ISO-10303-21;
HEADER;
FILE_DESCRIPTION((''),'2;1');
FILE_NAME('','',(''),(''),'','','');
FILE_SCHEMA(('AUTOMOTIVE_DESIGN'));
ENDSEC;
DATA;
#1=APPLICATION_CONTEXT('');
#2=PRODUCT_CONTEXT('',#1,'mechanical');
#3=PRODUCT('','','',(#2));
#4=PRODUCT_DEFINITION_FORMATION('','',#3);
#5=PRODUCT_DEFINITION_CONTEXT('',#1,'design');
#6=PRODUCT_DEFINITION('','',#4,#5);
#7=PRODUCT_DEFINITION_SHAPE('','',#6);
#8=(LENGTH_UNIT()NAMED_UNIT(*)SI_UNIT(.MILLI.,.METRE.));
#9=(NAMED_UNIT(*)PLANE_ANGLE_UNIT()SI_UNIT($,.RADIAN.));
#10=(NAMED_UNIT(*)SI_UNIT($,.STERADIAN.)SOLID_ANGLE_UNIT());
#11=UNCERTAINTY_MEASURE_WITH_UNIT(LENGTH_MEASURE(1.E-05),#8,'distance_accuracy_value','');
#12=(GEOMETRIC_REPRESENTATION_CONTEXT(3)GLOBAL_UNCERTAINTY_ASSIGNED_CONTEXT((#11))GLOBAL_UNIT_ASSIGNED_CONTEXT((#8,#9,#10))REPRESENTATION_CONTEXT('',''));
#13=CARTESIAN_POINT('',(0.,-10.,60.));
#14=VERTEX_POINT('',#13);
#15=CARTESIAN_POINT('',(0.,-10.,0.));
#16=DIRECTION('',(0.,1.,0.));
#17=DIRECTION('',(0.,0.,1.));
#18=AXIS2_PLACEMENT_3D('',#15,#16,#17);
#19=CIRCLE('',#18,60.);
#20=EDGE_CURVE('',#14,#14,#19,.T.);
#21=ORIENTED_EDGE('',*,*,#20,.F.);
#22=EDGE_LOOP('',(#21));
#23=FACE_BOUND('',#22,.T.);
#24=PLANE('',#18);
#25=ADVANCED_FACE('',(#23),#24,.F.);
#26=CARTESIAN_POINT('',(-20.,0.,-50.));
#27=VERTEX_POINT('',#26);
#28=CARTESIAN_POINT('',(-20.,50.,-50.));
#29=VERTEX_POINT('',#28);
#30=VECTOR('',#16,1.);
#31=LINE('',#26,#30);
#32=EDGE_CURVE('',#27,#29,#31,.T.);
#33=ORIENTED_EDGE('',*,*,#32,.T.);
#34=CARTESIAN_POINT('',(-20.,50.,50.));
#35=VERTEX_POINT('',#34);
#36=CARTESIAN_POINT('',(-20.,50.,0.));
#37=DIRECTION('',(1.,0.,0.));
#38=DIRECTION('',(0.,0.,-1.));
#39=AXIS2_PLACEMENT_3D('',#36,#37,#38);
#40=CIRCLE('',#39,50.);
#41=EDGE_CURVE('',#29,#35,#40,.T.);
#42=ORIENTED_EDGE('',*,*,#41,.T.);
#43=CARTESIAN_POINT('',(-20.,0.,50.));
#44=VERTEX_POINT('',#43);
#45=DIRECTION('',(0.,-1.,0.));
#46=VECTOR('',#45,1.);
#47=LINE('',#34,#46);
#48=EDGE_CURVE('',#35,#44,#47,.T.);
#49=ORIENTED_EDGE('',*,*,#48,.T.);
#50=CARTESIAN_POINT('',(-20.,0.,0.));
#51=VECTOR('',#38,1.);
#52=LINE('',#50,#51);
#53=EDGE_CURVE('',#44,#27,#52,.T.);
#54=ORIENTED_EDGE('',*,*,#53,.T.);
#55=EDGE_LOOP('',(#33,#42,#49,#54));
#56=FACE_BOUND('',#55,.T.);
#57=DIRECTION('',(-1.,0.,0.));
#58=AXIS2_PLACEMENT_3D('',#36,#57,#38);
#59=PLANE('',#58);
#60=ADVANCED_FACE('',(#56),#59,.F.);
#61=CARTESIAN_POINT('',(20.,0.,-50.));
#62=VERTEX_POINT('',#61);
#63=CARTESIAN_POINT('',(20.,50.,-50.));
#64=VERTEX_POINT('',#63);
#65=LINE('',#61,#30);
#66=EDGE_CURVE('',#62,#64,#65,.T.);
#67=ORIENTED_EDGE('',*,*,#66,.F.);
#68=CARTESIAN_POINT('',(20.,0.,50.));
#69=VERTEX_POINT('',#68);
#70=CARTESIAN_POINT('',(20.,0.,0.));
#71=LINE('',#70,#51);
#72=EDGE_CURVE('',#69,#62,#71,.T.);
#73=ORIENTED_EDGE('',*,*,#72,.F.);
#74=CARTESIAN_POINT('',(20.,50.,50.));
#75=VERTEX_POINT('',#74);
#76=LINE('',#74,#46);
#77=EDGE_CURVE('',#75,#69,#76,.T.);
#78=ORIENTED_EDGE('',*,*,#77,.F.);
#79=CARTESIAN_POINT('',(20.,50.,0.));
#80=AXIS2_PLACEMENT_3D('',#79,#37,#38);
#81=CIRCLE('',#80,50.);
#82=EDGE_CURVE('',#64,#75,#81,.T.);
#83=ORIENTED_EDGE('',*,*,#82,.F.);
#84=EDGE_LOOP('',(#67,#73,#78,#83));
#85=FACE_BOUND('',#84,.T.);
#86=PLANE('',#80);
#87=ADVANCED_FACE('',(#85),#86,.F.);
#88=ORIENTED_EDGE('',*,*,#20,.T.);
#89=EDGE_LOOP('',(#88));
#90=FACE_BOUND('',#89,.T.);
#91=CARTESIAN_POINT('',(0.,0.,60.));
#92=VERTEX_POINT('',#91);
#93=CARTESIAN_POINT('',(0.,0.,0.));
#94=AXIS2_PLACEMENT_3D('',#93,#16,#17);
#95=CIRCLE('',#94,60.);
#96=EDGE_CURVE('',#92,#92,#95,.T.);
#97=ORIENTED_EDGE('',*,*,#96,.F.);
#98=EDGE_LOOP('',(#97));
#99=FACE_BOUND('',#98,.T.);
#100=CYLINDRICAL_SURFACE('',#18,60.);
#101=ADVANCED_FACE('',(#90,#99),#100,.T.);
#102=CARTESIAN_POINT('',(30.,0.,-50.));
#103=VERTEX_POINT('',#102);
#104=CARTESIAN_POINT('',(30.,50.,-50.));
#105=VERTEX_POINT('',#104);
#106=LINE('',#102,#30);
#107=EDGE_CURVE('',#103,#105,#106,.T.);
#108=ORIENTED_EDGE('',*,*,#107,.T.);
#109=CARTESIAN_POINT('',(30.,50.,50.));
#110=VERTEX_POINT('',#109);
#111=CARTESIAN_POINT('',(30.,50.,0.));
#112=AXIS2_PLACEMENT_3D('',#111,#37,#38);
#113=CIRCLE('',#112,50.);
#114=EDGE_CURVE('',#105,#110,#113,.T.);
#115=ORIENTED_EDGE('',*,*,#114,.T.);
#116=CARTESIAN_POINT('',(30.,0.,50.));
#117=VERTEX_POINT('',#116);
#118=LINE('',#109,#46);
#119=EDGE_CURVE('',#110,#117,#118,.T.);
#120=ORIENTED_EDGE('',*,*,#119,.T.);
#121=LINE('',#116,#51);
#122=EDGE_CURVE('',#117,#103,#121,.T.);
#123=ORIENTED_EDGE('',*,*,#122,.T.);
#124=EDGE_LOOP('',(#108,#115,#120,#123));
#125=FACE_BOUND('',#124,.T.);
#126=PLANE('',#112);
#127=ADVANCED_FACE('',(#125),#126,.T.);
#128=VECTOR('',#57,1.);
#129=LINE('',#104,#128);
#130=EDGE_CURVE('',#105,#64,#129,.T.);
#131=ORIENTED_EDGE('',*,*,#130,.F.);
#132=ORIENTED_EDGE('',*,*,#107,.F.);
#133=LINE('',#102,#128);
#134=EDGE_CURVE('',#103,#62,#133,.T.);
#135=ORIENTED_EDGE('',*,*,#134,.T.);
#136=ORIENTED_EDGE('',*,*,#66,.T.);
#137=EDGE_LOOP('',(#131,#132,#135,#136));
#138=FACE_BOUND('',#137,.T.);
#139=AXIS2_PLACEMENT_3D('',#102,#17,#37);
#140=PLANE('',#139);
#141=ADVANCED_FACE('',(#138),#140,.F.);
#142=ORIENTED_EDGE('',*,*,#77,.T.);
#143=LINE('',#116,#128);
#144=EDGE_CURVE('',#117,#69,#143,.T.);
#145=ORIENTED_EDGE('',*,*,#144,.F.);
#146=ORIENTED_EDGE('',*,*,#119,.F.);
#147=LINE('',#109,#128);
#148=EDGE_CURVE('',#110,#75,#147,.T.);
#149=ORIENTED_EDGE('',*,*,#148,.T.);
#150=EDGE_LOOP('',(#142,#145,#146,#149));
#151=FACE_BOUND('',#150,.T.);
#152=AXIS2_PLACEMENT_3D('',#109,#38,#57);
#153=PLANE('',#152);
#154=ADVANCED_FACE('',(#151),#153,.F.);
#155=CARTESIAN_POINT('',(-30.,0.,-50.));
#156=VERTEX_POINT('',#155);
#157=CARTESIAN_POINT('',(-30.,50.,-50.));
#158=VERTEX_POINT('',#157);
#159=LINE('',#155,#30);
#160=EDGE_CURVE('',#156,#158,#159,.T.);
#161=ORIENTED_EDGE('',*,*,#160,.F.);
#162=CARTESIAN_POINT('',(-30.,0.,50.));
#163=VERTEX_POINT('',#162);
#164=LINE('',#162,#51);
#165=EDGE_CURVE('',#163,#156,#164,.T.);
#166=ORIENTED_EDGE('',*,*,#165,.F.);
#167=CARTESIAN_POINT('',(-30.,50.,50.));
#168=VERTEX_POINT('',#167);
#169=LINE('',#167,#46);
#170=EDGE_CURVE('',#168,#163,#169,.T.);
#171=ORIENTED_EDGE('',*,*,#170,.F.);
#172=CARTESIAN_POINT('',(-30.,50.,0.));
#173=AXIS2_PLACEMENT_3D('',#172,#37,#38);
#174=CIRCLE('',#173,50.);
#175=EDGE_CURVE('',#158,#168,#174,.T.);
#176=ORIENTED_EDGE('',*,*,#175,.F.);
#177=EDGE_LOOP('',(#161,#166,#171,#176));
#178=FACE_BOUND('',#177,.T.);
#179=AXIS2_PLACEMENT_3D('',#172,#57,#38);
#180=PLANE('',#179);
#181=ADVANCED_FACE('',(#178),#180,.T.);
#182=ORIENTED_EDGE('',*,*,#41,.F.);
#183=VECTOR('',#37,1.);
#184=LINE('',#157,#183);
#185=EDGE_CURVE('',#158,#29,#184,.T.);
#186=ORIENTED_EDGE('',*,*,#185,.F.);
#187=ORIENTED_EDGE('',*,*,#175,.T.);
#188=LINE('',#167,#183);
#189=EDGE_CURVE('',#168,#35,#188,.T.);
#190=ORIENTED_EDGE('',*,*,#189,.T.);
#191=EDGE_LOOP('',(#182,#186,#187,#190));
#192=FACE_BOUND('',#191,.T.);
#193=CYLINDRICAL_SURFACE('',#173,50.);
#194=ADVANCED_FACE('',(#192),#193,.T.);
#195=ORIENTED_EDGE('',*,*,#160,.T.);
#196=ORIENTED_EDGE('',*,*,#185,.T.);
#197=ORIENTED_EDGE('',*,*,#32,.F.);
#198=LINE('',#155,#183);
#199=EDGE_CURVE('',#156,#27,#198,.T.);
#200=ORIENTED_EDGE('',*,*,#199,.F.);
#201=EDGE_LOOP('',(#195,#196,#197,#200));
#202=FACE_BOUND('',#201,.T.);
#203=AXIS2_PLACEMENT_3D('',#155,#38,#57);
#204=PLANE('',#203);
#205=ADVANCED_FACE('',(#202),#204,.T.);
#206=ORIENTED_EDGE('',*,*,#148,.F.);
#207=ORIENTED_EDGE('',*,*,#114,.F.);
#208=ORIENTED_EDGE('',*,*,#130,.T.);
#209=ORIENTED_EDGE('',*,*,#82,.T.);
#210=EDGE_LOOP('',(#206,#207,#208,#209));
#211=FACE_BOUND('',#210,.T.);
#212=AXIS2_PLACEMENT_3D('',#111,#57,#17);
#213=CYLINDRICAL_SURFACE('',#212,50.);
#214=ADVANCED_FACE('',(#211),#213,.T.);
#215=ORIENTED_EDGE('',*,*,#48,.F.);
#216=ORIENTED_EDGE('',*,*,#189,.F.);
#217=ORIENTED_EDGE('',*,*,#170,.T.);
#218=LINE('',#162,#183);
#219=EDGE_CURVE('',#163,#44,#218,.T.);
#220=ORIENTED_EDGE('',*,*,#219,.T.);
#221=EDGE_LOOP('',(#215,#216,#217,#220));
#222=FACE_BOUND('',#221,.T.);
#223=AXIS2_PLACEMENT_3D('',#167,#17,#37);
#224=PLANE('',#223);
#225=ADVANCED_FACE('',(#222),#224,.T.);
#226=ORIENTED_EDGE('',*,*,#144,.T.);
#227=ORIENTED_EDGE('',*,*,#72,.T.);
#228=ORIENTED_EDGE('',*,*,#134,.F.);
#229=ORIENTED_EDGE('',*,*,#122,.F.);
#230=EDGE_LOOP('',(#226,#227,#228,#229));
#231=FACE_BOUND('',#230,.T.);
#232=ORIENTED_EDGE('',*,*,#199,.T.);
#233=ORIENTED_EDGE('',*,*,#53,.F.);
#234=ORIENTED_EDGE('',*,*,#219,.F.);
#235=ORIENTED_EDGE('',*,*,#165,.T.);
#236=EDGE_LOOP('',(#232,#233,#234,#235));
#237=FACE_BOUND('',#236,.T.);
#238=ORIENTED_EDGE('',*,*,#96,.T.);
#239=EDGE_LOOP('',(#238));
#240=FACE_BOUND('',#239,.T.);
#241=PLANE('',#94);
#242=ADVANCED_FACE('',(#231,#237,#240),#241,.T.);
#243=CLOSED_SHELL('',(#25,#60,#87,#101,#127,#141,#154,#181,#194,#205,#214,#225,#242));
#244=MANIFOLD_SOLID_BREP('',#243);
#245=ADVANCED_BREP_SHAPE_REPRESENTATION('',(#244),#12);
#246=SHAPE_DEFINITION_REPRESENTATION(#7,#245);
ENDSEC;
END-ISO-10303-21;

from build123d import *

# Parameters (mm, degrees)
SKETCH1_R           = 60
BOSS_EXTRUDE1_DEPTH = 10
BOSS_EXTRUDE2_START = 20
BOSS_EXTRUDE2_DEPTH = 10


with BuildPart() as part:
    # Sketch1 → Boss-Extrude1 (new body)
    with BuildSketch(Plane(origin=(0, 0, 0), x_dir=(1, 0, 0), z_dir=(0, 1, 0))):
        with Locations(Location((0, 0, 0), (0, 0, 270))):
            Circle(SKETCH1_R)
    extrude(amount=-BOSS_EXTRUDE1_DEPTH)

    # Sketch2 → Boss-Extrude2 (add)
    with BuildSketch(Plane(origin=(0, 0, 0), x_dir=(0, 0, -1), z_dir=(1, 0, 0)).offset(BOSS_EXTRUDE2_START)):
        with BuildLine():
            Line((0, 0), (50, 0))
            Line((50, 0), (50, 50))
            ThreePointArc((50, 50), (0, 100), (-50, 50))
            Line((-50, 50), (-50, 0))
            Line((-50, 0), (0, 0))
        make_face()
    boss_extrude2 = extrude(amount=BOSS_EXTRUDE2_DEPTH)

    # Mirror1: Boss-Extrude2 across plane
    add(boss_extrude2.mirror(Plane(origin=(0, 0, 0), x_dir=(0, 0, 1), z_dir=(1, 0, 0))))


solid = part.part
